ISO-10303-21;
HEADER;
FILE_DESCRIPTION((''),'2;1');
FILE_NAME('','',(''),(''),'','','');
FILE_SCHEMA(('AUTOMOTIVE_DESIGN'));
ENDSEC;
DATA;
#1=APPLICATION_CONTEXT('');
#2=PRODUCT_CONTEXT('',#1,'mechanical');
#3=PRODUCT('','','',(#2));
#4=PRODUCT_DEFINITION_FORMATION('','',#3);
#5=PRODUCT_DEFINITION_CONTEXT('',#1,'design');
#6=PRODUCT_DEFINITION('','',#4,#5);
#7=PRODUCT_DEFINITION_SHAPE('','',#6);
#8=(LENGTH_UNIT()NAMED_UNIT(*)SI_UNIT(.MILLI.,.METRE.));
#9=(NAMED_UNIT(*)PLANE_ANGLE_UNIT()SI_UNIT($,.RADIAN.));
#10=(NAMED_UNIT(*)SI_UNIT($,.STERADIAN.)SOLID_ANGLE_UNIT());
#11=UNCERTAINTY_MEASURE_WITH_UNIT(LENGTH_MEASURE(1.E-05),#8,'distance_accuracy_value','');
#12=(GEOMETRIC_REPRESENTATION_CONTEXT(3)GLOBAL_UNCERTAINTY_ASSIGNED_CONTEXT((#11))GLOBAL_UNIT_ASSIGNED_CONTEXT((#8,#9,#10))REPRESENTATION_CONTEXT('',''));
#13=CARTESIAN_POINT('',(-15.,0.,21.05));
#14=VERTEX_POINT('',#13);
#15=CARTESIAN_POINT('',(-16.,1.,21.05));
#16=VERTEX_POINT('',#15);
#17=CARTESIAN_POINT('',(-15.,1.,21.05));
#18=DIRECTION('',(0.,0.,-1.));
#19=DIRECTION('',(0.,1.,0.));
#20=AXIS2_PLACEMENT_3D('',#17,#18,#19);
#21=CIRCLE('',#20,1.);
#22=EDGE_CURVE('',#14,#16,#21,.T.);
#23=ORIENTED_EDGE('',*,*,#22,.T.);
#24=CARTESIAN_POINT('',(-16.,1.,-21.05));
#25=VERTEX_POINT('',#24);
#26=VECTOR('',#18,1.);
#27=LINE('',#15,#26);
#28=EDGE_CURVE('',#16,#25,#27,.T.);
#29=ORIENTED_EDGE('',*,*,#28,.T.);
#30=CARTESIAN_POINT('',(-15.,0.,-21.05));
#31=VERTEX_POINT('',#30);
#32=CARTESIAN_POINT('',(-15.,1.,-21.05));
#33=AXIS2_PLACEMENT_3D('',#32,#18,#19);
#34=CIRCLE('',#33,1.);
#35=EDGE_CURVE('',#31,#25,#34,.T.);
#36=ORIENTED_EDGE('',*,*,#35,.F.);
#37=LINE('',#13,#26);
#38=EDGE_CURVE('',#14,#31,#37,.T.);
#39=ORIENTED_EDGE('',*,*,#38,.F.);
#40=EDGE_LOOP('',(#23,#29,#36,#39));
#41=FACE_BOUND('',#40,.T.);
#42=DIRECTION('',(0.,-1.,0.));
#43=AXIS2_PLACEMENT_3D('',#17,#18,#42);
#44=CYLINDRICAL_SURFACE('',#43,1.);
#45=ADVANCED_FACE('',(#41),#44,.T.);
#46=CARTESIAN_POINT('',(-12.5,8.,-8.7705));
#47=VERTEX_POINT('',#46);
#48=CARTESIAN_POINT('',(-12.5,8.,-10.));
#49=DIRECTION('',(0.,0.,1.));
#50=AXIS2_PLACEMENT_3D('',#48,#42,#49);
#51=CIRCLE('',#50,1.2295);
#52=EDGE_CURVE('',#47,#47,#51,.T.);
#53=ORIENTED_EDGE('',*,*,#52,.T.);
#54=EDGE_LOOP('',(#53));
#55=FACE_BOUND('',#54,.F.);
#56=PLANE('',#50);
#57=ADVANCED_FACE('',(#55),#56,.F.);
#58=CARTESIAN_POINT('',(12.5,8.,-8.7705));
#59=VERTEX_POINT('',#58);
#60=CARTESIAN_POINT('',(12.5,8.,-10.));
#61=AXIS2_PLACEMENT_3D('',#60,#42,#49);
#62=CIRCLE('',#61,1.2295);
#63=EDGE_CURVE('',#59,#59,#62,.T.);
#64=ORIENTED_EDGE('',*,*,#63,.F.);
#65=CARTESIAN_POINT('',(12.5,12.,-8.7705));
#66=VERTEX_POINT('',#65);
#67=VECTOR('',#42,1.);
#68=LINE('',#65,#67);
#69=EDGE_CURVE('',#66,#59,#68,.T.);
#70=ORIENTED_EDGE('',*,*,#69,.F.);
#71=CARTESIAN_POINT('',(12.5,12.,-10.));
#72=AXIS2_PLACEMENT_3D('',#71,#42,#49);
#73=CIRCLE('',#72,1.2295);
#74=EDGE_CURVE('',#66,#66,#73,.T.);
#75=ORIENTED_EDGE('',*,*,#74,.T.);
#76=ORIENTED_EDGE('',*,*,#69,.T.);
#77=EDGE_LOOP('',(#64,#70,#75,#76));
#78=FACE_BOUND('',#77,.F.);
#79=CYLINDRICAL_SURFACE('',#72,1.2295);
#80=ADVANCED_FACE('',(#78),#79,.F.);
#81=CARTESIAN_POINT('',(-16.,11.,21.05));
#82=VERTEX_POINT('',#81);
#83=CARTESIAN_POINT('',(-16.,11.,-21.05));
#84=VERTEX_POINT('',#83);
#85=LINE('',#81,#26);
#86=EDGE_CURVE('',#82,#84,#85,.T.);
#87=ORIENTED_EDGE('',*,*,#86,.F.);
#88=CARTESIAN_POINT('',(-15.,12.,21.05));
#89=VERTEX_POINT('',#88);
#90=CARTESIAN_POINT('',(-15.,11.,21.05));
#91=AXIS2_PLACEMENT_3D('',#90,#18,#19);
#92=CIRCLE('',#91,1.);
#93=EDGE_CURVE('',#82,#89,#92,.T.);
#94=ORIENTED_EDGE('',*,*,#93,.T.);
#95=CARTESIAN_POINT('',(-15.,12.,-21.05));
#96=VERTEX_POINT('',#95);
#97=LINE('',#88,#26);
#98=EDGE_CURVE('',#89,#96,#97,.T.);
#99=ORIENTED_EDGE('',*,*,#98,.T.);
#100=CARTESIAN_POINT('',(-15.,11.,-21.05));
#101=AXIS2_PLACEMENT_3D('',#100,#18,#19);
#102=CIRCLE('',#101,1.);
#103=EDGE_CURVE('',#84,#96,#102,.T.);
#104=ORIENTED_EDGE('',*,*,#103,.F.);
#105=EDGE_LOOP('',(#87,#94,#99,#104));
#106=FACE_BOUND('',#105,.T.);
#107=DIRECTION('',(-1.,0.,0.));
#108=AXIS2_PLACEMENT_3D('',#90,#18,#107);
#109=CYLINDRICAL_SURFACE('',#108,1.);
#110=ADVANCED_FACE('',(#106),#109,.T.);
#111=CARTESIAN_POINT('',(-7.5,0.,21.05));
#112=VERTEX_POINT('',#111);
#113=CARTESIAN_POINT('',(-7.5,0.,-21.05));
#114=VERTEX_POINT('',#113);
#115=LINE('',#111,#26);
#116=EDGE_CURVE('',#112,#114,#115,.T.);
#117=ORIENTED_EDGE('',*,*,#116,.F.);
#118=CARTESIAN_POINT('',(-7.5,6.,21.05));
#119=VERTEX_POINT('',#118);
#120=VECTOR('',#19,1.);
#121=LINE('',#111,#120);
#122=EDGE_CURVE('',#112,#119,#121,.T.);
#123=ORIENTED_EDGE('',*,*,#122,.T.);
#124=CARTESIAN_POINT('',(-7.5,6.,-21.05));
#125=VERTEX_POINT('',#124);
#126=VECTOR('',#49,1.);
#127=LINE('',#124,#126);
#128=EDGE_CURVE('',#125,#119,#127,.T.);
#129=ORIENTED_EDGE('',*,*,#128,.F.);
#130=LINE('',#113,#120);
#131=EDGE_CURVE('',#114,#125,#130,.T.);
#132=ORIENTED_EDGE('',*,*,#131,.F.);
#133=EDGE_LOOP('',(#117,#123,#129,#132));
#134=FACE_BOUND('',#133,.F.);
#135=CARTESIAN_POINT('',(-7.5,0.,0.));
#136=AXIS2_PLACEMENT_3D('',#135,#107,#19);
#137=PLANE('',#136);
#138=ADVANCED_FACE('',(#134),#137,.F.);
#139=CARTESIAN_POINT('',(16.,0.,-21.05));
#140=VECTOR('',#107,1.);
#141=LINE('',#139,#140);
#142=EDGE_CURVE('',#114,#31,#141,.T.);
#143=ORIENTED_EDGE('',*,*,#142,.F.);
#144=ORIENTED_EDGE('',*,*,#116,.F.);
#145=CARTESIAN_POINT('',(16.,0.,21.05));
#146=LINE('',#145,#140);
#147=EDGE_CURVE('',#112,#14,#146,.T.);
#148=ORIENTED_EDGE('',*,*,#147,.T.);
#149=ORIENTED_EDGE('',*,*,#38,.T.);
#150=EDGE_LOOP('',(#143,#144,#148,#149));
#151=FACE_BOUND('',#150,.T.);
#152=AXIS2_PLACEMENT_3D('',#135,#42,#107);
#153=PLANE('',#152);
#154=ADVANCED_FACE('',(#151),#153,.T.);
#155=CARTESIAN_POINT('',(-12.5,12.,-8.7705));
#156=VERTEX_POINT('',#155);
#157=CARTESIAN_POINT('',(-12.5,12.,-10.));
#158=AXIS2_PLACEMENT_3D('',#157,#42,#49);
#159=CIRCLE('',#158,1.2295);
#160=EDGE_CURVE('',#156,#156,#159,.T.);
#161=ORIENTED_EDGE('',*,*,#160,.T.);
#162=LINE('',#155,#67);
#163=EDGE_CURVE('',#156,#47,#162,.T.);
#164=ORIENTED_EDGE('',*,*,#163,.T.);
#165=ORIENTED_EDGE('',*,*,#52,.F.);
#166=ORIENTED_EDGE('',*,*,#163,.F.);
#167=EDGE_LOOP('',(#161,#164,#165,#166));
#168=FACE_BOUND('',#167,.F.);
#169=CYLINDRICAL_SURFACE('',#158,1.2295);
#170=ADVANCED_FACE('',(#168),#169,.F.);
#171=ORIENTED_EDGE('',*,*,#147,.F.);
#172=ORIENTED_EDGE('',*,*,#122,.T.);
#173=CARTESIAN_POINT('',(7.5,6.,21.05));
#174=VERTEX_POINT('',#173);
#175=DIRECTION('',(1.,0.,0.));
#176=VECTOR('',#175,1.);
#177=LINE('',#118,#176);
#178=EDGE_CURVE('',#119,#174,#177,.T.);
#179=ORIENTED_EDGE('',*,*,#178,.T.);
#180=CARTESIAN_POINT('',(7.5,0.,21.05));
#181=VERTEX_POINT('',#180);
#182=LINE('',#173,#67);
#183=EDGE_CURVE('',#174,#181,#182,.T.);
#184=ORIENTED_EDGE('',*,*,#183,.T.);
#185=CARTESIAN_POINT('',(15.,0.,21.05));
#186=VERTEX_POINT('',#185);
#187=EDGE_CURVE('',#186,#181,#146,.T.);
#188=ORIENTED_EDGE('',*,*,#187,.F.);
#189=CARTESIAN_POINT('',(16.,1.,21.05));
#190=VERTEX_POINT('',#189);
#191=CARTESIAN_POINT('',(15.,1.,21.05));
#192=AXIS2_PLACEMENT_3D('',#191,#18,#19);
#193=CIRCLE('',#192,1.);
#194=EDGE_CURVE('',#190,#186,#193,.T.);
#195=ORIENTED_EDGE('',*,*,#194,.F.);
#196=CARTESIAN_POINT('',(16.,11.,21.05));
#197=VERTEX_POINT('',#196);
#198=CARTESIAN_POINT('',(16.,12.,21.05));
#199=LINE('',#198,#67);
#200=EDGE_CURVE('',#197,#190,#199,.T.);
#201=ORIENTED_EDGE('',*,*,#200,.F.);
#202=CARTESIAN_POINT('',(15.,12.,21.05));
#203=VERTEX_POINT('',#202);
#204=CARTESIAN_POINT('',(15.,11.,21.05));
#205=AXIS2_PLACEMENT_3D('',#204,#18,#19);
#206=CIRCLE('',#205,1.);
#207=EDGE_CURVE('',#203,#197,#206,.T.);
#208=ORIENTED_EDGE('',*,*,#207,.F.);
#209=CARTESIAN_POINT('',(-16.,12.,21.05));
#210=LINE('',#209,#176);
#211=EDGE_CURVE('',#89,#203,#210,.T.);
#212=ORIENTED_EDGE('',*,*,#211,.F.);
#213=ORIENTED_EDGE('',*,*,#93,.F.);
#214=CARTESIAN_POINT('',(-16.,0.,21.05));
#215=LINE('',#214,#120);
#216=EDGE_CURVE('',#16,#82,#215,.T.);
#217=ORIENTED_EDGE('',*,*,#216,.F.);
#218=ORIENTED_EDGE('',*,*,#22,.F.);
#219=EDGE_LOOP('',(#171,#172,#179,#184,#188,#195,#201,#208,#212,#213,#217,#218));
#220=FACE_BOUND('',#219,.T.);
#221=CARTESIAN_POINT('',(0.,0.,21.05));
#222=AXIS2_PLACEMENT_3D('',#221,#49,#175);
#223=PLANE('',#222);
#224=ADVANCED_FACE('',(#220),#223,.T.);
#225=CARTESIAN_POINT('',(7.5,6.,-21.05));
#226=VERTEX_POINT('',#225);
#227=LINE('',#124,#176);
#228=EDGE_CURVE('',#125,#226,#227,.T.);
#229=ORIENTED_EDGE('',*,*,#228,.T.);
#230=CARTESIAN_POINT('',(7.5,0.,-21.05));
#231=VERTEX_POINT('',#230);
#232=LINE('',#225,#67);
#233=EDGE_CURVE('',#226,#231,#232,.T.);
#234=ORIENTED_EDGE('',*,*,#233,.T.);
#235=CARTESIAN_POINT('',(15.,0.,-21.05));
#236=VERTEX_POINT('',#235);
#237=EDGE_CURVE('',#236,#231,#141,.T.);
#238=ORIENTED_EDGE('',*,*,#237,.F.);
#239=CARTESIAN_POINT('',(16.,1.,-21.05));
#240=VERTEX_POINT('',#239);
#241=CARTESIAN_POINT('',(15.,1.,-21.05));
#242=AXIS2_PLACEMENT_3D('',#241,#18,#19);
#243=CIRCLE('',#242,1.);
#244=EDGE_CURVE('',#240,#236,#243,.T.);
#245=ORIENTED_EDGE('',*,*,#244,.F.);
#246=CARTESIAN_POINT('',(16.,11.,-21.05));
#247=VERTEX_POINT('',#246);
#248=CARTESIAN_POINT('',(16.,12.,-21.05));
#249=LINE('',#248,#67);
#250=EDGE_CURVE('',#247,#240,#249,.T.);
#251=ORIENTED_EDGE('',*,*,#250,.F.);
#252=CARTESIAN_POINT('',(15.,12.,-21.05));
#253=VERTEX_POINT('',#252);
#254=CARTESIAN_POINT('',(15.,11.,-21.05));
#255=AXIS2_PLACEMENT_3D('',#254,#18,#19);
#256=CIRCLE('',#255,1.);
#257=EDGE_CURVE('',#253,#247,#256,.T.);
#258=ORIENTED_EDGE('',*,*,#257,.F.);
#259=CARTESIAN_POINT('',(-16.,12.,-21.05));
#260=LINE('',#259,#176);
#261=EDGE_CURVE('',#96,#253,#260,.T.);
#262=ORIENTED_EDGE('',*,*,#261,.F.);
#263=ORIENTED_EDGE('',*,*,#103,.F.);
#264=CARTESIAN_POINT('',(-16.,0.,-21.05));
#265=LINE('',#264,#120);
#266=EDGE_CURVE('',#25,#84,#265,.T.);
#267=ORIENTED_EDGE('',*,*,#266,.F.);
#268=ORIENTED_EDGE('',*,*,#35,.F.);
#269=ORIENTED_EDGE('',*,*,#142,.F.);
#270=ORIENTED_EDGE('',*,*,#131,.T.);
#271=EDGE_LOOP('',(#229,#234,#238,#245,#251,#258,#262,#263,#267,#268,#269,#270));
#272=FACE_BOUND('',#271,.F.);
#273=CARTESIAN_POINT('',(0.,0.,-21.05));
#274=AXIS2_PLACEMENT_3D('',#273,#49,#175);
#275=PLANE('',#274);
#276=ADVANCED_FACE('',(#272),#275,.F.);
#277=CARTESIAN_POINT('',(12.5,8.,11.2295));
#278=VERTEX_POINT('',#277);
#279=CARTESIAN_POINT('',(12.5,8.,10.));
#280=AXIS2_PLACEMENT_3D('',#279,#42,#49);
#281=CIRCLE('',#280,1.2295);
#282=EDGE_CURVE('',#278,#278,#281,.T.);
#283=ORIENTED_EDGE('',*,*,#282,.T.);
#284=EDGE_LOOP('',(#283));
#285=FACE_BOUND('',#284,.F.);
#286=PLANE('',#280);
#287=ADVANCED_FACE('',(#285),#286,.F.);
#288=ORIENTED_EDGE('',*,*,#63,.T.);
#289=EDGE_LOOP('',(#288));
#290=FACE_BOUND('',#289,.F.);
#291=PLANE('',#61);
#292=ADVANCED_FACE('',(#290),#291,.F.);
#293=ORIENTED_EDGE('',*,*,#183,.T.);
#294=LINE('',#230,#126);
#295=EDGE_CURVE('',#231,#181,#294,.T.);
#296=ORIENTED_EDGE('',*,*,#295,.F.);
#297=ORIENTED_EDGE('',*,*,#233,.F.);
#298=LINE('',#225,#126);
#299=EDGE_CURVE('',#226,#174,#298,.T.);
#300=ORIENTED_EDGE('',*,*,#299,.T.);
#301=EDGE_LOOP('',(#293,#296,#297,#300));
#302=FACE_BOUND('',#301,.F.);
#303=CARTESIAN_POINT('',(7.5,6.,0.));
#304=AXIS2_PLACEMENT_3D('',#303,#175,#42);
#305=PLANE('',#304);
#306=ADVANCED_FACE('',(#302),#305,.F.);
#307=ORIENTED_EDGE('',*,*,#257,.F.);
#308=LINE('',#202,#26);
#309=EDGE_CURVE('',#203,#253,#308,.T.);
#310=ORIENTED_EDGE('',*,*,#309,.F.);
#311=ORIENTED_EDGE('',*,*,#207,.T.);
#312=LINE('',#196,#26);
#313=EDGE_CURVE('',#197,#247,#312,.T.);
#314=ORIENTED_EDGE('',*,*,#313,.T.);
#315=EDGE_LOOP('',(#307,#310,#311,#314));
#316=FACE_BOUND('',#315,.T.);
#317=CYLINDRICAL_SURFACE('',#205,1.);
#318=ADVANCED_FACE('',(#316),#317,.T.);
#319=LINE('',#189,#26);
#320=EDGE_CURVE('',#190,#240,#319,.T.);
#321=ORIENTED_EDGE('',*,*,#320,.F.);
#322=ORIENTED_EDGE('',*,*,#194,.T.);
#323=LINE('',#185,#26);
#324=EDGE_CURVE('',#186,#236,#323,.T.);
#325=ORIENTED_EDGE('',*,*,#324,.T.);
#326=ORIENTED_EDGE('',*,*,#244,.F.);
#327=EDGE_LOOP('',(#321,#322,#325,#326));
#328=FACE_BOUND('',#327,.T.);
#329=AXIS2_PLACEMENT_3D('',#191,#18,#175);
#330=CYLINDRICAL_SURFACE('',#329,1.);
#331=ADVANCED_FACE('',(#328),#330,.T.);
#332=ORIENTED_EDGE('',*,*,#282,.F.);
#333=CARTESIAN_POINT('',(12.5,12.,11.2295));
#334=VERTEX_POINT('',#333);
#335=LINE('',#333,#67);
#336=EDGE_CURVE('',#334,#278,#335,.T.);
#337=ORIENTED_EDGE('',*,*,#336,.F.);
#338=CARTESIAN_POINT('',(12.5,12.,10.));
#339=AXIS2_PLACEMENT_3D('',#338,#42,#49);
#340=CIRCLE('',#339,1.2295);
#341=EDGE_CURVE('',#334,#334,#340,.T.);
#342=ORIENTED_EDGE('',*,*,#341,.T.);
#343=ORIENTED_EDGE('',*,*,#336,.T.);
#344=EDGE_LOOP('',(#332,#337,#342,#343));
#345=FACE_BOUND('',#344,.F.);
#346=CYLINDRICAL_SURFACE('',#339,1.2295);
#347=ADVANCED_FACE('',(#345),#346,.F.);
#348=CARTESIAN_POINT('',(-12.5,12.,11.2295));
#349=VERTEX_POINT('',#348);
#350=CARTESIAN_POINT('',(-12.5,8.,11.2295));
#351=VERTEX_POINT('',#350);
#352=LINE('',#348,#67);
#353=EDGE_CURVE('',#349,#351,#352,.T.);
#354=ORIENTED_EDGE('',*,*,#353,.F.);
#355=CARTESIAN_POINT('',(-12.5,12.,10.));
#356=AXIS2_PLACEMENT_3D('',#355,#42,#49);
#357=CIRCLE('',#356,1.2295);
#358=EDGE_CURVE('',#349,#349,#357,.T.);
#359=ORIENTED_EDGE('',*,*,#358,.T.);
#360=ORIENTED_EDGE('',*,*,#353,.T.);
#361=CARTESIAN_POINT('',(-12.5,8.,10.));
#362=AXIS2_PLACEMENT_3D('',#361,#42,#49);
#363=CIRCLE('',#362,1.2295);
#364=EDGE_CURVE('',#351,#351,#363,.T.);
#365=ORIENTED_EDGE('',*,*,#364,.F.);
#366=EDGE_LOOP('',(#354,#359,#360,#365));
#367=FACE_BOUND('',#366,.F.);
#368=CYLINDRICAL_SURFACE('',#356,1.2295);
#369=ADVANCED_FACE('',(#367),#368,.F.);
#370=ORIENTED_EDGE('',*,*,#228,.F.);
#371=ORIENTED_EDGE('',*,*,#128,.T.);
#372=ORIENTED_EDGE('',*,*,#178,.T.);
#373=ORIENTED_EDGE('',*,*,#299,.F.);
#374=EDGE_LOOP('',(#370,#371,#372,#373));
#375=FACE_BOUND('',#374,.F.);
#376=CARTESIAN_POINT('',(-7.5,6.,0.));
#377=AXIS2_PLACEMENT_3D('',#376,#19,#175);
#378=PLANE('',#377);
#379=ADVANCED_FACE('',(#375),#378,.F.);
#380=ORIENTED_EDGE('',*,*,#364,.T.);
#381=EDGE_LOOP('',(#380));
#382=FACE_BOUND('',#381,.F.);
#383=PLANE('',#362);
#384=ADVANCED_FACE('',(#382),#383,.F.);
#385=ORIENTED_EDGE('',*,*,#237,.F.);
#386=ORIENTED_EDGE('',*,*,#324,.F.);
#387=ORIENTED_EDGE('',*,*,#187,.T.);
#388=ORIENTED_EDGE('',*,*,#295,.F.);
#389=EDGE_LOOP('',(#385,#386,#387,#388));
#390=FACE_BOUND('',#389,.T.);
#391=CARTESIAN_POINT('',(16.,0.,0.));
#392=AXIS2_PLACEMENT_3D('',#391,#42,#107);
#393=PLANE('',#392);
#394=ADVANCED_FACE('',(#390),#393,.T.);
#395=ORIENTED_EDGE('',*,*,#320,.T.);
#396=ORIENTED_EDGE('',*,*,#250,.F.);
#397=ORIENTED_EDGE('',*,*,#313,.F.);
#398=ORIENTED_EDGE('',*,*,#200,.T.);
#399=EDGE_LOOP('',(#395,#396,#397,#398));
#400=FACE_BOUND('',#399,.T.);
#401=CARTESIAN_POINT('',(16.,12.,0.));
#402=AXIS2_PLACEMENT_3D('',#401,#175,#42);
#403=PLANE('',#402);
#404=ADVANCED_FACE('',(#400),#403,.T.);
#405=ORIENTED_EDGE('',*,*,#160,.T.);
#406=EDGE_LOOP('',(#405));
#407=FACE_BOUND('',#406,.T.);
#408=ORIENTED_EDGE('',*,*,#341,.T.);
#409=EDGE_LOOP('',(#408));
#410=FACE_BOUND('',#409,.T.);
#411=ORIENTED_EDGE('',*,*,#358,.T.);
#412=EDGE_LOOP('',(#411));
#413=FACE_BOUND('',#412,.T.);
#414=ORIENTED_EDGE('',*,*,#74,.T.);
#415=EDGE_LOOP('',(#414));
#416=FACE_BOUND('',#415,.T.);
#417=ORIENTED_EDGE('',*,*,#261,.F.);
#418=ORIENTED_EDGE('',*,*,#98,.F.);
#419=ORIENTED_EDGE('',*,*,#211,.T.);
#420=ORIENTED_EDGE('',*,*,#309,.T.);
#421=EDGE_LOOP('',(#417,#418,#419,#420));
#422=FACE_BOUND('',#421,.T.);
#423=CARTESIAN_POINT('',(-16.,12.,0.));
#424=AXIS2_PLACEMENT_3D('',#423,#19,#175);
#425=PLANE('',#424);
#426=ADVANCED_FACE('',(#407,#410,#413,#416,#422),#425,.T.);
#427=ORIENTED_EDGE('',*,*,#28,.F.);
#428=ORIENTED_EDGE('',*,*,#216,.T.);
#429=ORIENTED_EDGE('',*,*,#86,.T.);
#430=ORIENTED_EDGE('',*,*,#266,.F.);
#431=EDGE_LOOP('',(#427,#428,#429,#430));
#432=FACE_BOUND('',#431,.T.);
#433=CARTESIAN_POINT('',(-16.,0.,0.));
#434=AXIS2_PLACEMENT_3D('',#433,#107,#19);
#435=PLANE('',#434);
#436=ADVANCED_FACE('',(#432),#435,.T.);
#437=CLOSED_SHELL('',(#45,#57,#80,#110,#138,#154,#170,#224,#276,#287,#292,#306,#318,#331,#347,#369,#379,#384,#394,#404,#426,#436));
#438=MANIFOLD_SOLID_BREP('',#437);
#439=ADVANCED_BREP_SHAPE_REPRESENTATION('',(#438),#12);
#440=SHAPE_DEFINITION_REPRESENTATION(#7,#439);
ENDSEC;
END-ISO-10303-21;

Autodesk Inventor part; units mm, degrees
ref_plane "YZ Plane" through (0, 0, 0) normal (1, 0, 0) x (0, 1, 0)
ref_plane "XZ Plane" through (0, 0, 0) normal (0, 1, 0) x (-1, 0, 0)
ref_plane "XY Plane" through (0, 0, 0) normal (0, 0, 1) x (1, 0, 0)
sketch "Sketch1" plane through (0, 0, 0) normal (0, 0, 1) x (1, 0, 0)
  line L0 (-7.5, 6) -> (7.5, 6)
  line L1 (7.5, 6) -> (7.5, 0)
  line L2 (7.5, 0) -> (-7.5, 0)
  line L3 (-7.5, 0) -> (-7.5, 6)
  line L4 (-7.5, 6) -> (7.5, 0) construction
  line L5 (7.5, 6) -> (-7.5, 0) construction
  line L6 (-16, 12) -> (16, 12)
  line L7 (16, 12) -> (16, 0)
  line L8 (16, 0) -> (-16, 0)
  line L9 (-16, 0) -> (-16, 12)
  line L10 (-16, 12) -> (16, 0) construction
  line L11 (16, 12) -> (-16, 0) construction
  point P0 (0, 0)
  point P1 (0, 3)
  point P2 (0, 0)
  point P3 (0, 6)
  point P4 (7.5, 0)
  point P5 (-7.5, 0)
  dimension "d0" = 15
  dimension "d1" = 6
  dimension "d2" = 32
  dimension "d3" = 12
extrude "Extrusion1" add sketch "Sketch1" along normal mid plane 42.1 contours L3 L8 L9 L6 L7 L1 L0
sketch "Sketch2" plane through (-16, 12, 21.05) normal (0, 1, 0) x (1, 0, 0)
  line L0 (28.5, 11.05) -> (3.5, 11.05) construction
  line L1 (3.5, 11.05) -> (3.5, 31.05) construction
  line L2 (3.5, 31.05) -> (28.5, 31.05) construction
  line L3 (28.5, 31.05) -> (28.5, 11.05) construction
  line L4 (28.5, 11.05) -> (3.5, 31.05) construction
  line L5 (3.5, 11.05) -> (28.5, 31.05) construction
  point P0 (16, 21.05)
  dimension "d6" = 25
  dimension "d7" = 20
hole "Hole1" at (-12.5, 12, 10) at (12.5, 12, 10) at (12.5, 12, -10) at (-12.5, 12, -10) direction (0, -1, 0) diameter 2.459 depth 4 thread size "M3x0.5" class "6H" standard "ISO Metric profile"
fillet "Fillet1" radius 1 4 edges at (16, 12, 0) (-16, 12, 0) (16, 0, 0) (-16, 0, 0)
properties part number "MGN12C Cart" material "Steel, Carbon"
